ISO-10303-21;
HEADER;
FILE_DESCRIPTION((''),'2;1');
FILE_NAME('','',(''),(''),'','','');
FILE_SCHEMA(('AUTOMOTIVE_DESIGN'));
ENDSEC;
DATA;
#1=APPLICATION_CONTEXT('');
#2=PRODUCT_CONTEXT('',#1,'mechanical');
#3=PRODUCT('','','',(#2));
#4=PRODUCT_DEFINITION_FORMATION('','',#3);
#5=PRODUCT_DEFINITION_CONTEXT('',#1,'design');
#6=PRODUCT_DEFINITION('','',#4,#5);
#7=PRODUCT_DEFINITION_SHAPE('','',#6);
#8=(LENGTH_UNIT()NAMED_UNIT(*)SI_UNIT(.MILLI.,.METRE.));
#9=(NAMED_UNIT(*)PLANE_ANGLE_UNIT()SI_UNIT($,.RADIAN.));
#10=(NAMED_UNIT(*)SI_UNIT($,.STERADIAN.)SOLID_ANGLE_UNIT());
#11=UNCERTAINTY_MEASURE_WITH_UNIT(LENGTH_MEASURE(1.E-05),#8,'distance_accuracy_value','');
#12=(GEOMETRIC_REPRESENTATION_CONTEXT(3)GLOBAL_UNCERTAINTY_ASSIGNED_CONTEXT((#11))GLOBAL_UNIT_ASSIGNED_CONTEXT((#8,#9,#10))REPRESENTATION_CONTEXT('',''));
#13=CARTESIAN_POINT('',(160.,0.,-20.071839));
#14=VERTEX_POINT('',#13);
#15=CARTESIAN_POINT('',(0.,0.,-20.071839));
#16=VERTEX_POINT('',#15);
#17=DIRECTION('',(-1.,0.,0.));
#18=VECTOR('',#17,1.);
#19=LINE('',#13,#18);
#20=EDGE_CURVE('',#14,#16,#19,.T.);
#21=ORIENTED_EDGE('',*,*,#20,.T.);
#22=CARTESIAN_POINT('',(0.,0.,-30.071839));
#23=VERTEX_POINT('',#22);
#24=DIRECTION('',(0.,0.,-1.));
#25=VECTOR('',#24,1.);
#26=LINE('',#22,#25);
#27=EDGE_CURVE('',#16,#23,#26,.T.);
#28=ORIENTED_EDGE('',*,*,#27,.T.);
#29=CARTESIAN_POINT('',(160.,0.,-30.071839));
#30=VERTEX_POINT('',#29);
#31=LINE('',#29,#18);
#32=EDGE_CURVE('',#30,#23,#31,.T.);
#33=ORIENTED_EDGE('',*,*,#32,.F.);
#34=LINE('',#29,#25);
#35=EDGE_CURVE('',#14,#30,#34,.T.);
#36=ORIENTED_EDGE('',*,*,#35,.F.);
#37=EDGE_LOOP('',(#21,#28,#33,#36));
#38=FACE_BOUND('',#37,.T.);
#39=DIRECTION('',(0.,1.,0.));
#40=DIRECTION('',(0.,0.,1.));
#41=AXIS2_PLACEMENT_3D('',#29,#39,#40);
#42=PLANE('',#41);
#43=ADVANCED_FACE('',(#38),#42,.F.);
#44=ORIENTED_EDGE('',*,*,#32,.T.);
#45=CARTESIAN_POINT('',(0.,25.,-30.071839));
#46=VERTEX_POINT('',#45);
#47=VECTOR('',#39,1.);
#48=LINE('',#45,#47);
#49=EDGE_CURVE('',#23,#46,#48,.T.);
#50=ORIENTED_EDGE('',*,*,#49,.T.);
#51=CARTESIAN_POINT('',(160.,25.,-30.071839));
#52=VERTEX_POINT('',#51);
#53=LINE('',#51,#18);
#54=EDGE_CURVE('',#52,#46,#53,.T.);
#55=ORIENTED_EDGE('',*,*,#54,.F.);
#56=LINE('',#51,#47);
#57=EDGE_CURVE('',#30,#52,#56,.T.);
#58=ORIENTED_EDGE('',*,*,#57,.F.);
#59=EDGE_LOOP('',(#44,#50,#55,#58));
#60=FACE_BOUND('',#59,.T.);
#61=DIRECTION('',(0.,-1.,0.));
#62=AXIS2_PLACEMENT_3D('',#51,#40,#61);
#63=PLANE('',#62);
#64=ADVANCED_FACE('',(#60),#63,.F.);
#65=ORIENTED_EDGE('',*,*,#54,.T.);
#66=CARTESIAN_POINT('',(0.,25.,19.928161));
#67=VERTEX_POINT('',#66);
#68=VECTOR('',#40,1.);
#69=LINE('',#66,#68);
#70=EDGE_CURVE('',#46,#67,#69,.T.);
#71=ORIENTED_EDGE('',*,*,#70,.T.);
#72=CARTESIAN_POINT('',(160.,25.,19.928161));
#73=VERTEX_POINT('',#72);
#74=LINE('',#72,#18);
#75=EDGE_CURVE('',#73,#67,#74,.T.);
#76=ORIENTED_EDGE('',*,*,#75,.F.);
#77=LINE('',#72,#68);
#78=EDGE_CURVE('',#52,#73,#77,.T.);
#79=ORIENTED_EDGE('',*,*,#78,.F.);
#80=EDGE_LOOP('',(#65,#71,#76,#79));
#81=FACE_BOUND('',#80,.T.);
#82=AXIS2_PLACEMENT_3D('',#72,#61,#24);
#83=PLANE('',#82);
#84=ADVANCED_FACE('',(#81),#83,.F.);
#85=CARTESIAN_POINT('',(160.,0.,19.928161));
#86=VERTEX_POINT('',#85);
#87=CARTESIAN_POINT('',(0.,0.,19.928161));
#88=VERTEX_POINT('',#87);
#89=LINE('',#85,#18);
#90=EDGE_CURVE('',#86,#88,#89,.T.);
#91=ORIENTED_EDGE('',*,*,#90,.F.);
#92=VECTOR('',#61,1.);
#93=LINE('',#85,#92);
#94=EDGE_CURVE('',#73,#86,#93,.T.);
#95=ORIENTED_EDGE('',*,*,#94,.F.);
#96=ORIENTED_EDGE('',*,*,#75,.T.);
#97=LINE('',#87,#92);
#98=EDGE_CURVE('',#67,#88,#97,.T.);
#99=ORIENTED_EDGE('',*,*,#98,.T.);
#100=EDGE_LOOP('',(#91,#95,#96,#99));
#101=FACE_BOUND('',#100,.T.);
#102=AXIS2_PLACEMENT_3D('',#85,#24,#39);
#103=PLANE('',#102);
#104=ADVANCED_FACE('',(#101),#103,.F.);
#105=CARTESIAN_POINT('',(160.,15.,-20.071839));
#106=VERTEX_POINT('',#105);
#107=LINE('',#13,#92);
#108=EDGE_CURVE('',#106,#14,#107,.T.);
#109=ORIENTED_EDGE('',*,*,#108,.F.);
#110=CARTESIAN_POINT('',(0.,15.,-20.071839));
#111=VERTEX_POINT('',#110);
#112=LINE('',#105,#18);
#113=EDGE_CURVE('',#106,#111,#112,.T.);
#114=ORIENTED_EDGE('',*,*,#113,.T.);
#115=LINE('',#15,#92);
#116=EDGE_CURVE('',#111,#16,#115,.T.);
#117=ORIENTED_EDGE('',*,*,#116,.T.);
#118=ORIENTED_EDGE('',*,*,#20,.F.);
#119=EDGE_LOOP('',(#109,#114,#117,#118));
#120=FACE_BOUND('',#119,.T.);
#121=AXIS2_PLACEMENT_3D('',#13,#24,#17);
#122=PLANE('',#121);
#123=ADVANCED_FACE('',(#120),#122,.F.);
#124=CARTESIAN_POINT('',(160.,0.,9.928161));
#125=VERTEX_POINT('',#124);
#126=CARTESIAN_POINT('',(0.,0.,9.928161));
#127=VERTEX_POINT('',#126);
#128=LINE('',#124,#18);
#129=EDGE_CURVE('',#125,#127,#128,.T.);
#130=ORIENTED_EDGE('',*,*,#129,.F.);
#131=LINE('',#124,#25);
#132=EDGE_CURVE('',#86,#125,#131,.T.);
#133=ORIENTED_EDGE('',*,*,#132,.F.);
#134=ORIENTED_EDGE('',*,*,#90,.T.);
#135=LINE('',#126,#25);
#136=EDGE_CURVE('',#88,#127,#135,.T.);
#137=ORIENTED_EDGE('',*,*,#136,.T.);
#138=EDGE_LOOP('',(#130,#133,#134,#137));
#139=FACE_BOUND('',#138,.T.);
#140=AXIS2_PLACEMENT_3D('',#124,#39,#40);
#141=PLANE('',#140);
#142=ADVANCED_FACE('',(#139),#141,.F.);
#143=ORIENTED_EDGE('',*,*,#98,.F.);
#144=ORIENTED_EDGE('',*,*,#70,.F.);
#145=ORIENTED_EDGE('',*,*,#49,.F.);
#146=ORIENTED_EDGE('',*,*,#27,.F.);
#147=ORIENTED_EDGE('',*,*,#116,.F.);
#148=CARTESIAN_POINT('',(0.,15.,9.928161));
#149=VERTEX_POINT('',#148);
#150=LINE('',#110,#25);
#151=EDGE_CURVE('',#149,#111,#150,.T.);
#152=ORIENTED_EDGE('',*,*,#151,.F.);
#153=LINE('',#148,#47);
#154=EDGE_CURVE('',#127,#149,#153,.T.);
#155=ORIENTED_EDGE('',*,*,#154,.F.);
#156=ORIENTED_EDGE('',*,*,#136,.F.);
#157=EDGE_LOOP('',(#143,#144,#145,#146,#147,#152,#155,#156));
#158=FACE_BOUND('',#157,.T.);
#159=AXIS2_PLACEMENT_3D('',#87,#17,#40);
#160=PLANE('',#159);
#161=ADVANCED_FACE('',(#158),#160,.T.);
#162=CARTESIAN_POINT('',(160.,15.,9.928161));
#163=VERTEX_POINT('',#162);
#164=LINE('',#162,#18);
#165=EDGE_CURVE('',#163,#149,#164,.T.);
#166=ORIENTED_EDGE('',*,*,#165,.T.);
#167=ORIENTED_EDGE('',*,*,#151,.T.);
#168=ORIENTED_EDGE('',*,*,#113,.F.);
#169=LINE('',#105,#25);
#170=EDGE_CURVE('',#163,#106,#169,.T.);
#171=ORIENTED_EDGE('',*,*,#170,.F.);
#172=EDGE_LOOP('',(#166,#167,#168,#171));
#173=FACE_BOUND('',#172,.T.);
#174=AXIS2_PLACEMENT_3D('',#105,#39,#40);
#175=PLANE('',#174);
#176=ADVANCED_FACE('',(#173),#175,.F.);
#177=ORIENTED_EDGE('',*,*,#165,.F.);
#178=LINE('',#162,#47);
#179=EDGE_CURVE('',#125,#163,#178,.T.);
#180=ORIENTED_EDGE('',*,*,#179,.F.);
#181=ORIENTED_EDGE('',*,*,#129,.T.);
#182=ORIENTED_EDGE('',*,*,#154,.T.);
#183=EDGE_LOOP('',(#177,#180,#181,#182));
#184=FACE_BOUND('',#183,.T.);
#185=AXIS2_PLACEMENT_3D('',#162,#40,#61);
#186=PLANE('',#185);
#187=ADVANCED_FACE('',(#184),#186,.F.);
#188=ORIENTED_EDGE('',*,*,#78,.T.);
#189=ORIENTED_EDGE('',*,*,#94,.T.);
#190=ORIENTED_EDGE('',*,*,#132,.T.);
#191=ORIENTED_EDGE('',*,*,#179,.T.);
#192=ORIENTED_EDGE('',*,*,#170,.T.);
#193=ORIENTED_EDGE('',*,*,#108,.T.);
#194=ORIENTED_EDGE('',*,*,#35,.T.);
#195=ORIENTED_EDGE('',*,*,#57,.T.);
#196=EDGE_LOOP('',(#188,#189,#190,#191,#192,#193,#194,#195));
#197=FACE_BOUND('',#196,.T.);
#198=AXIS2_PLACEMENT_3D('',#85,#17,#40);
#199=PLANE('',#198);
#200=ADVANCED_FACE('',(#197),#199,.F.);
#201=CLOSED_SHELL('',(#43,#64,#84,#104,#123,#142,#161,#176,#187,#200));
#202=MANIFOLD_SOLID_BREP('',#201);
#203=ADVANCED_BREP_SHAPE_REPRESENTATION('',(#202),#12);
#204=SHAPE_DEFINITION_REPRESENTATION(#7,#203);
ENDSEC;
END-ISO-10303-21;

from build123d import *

# Parameters (mm, degrees)
EXTRUDE1_DEPTH = 160


with BuildPart() as part:
    # Sketch1 → Extrude1 (new body)
    with BuildSketch(Plane(origin=(0, 0, 0), x_dir=(0, 0, -1), z_dir=(1, 0, 0))):
        Polygon((-19.92816092, 0), (-19.92816092, 25), (30.07183908, 25), (30.07183908, 0), (20.07183908, 0), (20.07183908, 15), (-9.92816092, 15), (-9.92816092, 0), align=None)
    extrude(amount=EXTRUDE1_DEPTH)


solid = part.part
